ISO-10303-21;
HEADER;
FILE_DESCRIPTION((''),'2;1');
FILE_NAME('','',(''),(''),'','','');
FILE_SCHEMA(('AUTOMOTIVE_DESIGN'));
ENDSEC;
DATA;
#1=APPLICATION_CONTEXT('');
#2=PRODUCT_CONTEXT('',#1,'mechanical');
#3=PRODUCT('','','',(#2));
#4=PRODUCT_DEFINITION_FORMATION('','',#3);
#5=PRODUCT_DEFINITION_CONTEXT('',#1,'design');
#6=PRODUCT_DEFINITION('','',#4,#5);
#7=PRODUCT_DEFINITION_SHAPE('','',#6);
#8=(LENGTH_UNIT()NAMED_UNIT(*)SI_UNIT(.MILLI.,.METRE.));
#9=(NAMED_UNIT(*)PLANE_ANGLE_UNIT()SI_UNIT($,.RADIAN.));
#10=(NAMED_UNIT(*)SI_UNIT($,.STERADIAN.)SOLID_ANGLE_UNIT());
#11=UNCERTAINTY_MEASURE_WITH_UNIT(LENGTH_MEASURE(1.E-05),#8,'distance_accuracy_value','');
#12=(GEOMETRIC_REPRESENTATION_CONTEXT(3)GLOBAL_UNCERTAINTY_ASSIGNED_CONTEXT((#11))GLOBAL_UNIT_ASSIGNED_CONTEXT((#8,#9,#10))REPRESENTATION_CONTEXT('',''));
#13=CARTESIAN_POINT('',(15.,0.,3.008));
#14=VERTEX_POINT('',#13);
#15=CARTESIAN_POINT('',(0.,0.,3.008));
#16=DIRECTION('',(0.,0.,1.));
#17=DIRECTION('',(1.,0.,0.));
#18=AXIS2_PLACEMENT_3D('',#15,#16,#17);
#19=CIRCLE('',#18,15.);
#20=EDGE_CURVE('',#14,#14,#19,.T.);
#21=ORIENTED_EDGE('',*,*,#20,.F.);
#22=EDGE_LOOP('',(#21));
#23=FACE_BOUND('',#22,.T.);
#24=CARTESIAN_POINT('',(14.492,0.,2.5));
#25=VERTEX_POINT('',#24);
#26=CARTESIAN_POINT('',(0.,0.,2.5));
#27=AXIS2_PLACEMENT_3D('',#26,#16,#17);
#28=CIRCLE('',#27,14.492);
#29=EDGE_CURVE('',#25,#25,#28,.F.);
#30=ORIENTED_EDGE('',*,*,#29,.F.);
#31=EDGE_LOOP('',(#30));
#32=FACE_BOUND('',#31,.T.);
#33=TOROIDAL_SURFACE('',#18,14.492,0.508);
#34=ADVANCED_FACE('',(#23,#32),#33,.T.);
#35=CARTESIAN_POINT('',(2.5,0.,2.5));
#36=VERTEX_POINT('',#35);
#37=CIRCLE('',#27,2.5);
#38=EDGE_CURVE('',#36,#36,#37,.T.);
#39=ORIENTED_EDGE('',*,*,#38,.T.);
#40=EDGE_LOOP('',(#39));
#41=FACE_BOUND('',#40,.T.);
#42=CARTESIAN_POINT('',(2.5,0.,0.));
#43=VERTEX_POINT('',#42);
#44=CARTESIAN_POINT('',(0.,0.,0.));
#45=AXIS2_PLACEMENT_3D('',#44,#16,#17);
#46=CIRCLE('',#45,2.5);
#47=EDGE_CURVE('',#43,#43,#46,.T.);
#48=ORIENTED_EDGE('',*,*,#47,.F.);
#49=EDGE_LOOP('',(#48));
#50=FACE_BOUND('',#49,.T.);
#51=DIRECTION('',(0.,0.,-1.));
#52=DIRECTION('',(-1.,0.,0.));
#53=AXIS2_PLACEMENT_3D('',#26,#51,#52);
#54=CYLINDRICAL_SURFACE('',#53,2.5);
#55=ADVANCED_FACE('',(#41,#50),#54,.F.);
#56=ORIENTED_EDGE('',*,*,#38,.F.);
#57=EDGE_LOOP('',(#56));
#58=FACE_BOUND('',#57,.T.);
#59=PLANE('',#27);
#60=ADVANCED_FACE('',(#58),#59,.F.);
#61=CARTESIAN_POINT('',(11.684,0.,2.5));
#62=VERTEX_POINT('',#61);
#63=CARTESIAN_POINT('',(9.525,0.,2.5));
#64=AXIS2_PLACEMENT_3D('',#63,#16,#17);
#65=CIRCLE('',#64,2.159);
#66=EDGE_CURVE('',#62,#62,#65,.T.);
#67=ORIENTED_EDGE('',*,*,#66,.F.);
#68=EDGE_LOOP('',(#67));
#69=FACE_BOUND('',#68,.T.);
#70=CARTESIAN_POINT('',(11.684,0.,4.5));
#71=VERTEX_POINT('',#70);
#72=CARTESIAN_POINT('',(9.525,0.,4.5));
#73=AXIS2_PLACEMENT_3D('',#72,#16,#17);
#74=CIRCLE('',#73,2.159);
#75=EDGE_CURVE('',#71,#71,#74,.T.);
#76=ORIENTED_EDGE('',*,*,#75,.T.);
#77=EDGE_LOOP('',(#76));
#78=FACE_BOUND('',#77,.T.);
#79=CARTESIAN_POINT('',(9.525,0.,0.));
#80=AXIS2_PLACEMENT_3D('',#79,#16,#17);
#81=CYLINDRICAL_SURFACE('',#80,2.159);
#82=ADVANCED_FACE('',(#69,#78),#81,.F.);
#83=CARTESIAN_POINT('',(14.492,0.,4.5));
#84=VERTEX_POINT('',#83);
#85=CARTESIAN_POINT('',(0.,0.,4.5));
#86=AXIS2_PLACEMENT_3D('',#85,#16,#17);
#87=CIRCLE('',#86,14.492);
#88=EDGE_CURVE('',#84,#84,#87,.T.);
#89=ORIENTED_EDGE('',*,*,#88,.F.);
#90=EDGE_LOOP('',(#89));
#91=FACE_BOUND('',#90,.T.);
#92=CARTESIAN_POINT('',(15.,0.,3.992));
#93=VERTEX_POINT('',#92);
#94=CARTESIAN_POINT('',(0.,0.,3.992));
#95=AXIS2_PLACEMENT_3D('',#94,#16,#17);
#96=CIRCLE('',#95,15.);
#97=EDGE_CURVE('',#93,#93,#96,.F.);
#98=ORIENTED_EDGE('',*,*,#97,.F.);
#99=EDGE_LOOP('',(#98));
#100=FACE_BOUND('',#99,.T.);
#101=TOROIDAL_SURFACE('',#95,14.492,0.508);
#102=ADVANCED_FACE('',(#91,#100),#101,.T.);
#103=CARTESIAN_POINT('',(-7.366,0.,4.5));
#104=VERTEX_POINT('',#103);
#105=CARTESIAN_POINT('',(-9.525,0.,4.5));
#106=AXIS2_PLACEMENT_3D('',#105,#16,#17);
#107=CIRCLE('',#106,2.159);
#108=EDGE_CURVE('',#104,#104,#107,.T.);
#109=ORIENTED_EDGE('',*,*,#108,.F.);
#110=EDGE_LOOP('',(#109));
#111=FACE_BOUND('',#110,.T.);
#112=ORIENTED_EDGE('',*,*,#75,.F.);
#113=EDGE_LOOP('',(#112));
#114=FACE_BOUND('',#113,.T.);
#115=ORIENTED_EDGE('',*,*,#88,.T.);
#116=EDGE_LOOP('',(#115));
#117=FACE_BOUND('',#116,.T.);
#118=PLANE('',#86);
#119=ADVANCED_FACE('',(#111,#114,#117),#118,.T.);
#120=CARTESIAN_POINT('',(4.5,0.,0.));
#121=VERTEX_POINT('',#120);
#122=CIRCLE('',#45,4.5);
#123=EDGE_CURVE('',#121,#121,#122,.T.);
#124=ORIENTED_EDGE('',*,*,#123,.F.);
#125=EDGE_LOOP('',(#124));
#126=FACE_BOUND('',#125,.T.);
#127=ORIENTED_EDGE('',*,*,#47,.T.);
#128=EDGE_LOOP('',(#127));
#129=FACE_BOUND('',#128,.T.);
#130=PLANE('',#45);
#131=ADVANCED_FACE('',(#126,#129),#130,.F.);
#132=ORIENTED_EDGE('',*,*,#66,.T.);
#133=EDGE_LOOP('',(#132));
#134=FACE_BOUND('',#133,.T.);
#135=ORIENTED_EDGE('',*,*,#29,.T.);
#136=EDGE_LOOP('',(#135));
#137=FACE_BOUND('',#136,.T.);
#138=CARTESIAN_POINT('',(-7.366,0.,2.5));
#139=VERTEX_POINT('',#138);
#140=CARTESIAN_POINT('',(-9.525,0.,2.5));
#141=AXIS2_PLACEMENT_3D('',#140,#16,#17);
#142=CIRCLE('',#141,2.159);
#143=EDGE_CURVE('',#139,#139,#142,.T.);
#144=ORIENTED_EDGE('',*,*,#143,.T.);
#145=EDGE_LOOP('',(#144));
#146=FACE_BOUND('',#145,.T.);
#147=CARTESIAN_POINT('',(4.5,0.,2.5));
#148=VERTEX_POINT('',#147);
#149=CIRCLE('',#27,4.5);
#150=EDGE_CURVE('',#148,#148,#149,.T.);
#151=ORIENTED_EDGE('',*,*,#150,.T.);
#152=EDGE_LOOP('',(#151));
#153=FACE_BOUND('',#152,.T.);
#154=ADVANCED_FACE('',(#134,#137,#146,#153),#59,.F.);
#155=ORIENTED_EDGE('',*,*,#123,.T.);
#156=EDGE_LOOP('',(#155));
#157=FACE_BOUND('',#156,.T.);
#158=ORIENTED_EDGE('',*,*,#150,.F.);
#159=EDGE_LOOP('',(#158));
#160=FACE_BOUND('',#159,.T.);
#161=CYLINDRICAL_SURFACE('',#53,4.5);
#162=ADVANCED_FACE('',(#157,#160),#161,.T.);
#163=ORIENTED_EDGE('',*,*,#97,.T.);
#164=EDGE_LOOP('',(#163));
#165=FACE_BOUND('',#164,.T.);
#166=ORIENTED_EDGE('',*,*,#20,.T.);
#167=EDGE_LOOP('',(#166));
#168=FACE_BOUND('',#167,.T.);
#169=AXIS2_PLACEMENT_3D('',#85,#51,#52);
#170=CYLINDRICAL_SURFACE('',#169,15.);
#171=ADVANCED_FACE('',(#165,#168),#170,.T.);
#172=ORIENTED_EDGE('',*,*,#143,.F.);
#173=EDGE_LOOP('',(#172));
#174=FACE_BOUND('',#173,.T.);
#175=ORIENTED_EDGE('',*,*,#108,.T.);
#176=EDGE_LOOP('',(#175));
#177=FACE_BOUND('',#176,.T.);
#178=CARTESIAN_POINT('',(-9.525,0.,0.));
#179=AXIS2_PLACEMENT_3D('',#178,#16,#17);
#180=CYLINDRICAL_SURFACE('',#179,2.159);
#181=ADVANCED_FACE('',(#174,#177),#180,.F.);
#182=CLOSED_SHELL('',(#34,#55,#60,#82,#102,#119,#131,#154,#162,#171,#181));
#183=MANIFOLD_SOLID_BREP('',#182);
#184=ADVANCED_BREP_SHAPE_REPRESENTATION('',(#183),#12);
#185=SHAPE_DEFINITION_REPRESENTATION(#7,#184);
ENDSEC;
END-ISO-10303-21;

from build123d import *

# Parameters (mm, degrees)
SKETCH1_R               = 4.5
SKETCH1_R_2             = 2.5
BOSS_EXTRUDE1_DEPTH     = 2.5
SKETCH2_R               = 15
BOSS_EXTRUDE2_DEPTH     = 2
SKETCH3_R               = 2.159
CUT_EXTRUDE1_DEPTH      = 1
CUT_EXTRUDE1_DEPTH_BACK = 5.5
FILLET2_R               = 0.508


with BuildPart() as part:
    # Sketch1 → Boss-Extrude1 (new body)
    with BuildSketch(Plane.XY):
        Circle(SKETCH1_R)
        Circle(SKETCH1_R_2, mode=Mode.SUBTRACT)
    extrude(amount=BOSS_EXTRUDE1_DEPTH)

    # Sketch2 → Boss-Extrude2 (add)
    with BuildSketch(Plane.XY.offset(2.5)):
        Circle(SKETCH2_R)
    extrude(amount=BOSS_EXTRUDE2_DEPTH)

    # Sketch3 → Cut-Extrude1 (cut, two sides)
    with BuildSketch(Plane.XY.offset(4.5)) as cut_extrude1_sk:
        with Locations((-9.525, 0)):
            Circle(SKETCH3_R)
        with Locations((9.525, 0)):
            Circle(SKETCH3_R)
    extrude(amount=CUT_EXTRUDE1_DEPTH, mode=Mode.SUBTRACT)
    extrude(cut_extrude1_sk.sketch, amount=-CUT_EXTRUDE1_DEPTH_BACK, mode=Mode.SUBTRACT)

    # Fillet2
    fillet2_edges = [part.edges().sort_by_distance(p)[0] for p in [
        (-15, 0, 4.5),
        (-15, 0, 2.5),
    ]]
    fillet(fillet2_edges, radius=FILLET2_R)


solid = part.part
